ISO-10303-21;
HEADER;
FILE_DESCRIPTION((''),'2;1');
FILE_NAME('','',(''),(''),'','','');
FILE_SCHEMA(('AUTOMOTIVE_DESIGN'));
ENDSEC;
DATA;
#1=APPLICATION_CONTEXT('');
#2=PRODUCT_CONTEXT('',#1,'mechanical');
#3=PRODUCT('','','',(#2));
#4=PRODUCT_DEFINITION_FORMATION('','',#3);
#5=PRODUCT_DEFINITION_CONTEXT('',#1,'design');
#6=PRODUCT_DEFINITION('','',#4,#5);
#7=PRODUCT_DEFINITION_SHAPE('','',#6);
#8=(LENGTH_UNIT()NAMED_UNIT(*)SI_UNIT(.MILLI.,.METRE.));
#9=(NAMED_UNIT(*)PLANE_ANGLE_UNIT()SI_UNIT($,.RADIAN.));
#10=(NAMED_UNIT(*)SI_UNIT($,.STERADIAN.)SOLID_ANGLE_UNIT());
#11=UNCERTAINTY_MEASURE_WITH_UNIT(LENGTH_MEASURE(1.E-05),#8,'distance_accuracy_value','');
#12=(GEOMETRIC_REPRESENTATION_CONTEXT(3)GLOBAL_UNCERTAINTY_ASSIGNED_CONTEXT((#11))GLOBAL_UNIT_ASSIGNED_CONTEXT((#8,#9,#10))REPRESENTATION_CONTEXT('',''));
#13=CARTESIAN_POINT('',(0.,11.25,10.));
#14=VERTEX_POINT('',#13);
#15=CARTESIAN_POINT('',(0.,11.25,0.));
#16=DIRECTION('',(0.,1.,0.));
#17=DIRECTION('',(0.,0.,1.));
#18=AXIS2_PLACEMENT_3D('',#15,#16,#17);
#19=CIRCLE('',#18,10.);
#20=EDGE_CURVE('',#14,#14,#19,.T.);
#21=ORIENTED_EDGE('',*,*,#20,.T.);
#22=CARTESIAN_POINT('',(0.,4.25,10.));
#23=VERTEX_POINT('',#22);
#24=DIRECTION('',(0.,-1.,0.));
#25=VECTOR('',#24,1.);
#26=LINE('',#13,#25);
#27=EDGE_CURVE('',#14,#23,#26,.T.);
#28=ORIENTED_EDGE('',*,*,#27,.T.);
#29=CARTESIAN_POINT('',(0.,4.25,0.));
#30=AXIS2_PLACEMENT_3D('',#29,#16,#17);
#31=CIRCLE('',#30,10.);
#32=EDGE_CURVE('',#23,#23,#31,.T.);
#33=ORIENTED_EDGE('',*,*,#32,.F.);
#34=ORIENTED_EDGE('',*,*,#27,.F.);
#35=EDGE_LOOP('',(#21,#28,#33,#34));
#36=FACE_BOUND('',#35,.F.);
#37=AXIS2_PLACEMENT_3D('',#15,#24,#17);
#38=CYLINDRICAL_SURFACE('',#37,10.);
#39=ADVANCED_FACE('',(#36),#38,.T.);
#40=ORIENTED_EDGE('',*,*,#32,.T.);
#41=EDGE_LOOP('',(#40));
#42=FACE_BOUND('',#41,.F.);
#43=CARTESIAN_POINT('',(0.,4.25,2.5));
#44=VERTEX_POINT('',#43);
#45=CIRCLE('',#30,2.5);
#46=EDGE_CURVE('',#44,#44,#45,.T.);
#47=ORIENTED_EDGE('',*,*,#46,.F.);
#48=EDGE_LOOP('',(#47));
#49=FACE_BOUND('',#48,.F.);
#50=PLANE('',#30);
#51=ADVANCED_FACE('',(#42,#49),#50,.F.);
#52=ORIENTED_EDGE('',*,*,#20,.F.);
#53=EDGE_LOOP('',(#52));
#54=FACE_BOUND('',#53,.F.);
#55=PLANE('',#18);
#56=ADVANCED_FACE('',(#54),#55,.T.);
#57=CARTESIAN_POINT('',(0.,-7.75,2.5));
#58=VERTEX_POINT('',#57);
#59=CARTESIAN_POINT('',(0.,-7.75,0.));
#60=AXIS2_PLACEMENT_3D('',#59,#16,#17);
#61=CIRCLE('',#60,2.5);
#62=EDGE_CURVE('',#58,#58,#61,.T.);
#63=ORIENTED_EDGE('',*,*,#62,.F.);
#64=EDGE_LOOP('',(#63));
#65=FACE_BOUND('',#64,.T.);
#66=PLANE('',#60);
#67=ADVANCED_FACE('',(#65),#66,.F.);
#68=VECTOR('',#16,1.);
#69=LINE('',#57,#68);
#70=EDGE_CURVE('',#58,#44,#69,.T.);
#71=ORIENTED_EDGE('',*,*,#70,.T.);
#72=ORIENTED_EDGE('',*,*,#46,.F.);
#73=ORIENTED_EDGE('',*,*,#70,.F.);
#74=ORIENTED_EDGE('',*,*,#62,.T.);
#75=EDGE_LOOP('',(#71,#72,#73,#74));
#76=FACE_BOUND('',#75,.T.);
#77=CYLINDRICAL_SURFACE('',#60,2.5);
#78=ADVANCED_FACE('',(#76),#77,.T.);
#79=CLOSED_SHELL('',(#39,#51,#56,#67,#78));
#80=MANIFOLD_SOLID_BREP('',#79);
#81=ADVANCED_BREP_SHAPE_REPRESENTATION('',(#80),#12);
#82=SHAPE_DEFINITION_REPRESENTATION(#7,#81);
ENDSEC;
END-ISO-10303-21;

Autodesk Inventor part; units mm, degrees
ref_plane "YZ Plane" through (0, 0, 0) normal (1, 0, 0) x (0, 1, 0)
ref_plane "XZ Plane" through (0, 0, 0) normal (0, 1, 0) x (-1, 0, 0)
ref_plane "XY Plane" through (0, 0, 0) normal (0, 0, 1) x (1, 0, 0)
sketch "Sketch1" plane through (0, 0, 0) normal (1, 0, 0) x (0, 1, 0)
  line L0 (-7.75, 2.5) -> (7.75, 2.5)
  line L1 (7.75, 2.5) -> (7.75, -2.5)
  line L2 (7.75, -2.5) -> (-7.75, -2.5)
  line L3 (-7.75, -2.5) -> (-7.75, 2.5)
  line L4 (-7.75, 2.5) -> (7.75, -2.5) construction
  line L5 (7.75, 2.5) -> (-7.75, -2.5) construction
  line L6 (11.25, 10) -> (4.25, 10)
  line L7 (4.25, 10) -> (4.25, -10)
  line L8 (4.25, -10) -> (11.25, -10)
  line L9 (11.25, -10) -> (11.25, 10)
  line L10 (11.25, 10) -> (4.25, -10) construction
  line L11 (4.25, 10) -> (11.25, -10) construction
  line L12 (-7.75, 0) -> (11.25, 0)
  point P0 (0, 0)
  point P1 (7.75, 0)
  point P2 (4.25, 2.5)
  dimension "d0" = 5
  dimension "d1" = 20
  dimension "d2" = 7
  dimension "d3" = 12
revolve "Revolution1" add sketch "Sketch1" angle 360 about axis through (0, -7.75, 0) along (0, 1, 0) contours L0 L7 L12 L3 | L7 L6 L9 L12 L1 L0 | L0 L1 L12 L7
properties part number "micromanipulator_knob"
